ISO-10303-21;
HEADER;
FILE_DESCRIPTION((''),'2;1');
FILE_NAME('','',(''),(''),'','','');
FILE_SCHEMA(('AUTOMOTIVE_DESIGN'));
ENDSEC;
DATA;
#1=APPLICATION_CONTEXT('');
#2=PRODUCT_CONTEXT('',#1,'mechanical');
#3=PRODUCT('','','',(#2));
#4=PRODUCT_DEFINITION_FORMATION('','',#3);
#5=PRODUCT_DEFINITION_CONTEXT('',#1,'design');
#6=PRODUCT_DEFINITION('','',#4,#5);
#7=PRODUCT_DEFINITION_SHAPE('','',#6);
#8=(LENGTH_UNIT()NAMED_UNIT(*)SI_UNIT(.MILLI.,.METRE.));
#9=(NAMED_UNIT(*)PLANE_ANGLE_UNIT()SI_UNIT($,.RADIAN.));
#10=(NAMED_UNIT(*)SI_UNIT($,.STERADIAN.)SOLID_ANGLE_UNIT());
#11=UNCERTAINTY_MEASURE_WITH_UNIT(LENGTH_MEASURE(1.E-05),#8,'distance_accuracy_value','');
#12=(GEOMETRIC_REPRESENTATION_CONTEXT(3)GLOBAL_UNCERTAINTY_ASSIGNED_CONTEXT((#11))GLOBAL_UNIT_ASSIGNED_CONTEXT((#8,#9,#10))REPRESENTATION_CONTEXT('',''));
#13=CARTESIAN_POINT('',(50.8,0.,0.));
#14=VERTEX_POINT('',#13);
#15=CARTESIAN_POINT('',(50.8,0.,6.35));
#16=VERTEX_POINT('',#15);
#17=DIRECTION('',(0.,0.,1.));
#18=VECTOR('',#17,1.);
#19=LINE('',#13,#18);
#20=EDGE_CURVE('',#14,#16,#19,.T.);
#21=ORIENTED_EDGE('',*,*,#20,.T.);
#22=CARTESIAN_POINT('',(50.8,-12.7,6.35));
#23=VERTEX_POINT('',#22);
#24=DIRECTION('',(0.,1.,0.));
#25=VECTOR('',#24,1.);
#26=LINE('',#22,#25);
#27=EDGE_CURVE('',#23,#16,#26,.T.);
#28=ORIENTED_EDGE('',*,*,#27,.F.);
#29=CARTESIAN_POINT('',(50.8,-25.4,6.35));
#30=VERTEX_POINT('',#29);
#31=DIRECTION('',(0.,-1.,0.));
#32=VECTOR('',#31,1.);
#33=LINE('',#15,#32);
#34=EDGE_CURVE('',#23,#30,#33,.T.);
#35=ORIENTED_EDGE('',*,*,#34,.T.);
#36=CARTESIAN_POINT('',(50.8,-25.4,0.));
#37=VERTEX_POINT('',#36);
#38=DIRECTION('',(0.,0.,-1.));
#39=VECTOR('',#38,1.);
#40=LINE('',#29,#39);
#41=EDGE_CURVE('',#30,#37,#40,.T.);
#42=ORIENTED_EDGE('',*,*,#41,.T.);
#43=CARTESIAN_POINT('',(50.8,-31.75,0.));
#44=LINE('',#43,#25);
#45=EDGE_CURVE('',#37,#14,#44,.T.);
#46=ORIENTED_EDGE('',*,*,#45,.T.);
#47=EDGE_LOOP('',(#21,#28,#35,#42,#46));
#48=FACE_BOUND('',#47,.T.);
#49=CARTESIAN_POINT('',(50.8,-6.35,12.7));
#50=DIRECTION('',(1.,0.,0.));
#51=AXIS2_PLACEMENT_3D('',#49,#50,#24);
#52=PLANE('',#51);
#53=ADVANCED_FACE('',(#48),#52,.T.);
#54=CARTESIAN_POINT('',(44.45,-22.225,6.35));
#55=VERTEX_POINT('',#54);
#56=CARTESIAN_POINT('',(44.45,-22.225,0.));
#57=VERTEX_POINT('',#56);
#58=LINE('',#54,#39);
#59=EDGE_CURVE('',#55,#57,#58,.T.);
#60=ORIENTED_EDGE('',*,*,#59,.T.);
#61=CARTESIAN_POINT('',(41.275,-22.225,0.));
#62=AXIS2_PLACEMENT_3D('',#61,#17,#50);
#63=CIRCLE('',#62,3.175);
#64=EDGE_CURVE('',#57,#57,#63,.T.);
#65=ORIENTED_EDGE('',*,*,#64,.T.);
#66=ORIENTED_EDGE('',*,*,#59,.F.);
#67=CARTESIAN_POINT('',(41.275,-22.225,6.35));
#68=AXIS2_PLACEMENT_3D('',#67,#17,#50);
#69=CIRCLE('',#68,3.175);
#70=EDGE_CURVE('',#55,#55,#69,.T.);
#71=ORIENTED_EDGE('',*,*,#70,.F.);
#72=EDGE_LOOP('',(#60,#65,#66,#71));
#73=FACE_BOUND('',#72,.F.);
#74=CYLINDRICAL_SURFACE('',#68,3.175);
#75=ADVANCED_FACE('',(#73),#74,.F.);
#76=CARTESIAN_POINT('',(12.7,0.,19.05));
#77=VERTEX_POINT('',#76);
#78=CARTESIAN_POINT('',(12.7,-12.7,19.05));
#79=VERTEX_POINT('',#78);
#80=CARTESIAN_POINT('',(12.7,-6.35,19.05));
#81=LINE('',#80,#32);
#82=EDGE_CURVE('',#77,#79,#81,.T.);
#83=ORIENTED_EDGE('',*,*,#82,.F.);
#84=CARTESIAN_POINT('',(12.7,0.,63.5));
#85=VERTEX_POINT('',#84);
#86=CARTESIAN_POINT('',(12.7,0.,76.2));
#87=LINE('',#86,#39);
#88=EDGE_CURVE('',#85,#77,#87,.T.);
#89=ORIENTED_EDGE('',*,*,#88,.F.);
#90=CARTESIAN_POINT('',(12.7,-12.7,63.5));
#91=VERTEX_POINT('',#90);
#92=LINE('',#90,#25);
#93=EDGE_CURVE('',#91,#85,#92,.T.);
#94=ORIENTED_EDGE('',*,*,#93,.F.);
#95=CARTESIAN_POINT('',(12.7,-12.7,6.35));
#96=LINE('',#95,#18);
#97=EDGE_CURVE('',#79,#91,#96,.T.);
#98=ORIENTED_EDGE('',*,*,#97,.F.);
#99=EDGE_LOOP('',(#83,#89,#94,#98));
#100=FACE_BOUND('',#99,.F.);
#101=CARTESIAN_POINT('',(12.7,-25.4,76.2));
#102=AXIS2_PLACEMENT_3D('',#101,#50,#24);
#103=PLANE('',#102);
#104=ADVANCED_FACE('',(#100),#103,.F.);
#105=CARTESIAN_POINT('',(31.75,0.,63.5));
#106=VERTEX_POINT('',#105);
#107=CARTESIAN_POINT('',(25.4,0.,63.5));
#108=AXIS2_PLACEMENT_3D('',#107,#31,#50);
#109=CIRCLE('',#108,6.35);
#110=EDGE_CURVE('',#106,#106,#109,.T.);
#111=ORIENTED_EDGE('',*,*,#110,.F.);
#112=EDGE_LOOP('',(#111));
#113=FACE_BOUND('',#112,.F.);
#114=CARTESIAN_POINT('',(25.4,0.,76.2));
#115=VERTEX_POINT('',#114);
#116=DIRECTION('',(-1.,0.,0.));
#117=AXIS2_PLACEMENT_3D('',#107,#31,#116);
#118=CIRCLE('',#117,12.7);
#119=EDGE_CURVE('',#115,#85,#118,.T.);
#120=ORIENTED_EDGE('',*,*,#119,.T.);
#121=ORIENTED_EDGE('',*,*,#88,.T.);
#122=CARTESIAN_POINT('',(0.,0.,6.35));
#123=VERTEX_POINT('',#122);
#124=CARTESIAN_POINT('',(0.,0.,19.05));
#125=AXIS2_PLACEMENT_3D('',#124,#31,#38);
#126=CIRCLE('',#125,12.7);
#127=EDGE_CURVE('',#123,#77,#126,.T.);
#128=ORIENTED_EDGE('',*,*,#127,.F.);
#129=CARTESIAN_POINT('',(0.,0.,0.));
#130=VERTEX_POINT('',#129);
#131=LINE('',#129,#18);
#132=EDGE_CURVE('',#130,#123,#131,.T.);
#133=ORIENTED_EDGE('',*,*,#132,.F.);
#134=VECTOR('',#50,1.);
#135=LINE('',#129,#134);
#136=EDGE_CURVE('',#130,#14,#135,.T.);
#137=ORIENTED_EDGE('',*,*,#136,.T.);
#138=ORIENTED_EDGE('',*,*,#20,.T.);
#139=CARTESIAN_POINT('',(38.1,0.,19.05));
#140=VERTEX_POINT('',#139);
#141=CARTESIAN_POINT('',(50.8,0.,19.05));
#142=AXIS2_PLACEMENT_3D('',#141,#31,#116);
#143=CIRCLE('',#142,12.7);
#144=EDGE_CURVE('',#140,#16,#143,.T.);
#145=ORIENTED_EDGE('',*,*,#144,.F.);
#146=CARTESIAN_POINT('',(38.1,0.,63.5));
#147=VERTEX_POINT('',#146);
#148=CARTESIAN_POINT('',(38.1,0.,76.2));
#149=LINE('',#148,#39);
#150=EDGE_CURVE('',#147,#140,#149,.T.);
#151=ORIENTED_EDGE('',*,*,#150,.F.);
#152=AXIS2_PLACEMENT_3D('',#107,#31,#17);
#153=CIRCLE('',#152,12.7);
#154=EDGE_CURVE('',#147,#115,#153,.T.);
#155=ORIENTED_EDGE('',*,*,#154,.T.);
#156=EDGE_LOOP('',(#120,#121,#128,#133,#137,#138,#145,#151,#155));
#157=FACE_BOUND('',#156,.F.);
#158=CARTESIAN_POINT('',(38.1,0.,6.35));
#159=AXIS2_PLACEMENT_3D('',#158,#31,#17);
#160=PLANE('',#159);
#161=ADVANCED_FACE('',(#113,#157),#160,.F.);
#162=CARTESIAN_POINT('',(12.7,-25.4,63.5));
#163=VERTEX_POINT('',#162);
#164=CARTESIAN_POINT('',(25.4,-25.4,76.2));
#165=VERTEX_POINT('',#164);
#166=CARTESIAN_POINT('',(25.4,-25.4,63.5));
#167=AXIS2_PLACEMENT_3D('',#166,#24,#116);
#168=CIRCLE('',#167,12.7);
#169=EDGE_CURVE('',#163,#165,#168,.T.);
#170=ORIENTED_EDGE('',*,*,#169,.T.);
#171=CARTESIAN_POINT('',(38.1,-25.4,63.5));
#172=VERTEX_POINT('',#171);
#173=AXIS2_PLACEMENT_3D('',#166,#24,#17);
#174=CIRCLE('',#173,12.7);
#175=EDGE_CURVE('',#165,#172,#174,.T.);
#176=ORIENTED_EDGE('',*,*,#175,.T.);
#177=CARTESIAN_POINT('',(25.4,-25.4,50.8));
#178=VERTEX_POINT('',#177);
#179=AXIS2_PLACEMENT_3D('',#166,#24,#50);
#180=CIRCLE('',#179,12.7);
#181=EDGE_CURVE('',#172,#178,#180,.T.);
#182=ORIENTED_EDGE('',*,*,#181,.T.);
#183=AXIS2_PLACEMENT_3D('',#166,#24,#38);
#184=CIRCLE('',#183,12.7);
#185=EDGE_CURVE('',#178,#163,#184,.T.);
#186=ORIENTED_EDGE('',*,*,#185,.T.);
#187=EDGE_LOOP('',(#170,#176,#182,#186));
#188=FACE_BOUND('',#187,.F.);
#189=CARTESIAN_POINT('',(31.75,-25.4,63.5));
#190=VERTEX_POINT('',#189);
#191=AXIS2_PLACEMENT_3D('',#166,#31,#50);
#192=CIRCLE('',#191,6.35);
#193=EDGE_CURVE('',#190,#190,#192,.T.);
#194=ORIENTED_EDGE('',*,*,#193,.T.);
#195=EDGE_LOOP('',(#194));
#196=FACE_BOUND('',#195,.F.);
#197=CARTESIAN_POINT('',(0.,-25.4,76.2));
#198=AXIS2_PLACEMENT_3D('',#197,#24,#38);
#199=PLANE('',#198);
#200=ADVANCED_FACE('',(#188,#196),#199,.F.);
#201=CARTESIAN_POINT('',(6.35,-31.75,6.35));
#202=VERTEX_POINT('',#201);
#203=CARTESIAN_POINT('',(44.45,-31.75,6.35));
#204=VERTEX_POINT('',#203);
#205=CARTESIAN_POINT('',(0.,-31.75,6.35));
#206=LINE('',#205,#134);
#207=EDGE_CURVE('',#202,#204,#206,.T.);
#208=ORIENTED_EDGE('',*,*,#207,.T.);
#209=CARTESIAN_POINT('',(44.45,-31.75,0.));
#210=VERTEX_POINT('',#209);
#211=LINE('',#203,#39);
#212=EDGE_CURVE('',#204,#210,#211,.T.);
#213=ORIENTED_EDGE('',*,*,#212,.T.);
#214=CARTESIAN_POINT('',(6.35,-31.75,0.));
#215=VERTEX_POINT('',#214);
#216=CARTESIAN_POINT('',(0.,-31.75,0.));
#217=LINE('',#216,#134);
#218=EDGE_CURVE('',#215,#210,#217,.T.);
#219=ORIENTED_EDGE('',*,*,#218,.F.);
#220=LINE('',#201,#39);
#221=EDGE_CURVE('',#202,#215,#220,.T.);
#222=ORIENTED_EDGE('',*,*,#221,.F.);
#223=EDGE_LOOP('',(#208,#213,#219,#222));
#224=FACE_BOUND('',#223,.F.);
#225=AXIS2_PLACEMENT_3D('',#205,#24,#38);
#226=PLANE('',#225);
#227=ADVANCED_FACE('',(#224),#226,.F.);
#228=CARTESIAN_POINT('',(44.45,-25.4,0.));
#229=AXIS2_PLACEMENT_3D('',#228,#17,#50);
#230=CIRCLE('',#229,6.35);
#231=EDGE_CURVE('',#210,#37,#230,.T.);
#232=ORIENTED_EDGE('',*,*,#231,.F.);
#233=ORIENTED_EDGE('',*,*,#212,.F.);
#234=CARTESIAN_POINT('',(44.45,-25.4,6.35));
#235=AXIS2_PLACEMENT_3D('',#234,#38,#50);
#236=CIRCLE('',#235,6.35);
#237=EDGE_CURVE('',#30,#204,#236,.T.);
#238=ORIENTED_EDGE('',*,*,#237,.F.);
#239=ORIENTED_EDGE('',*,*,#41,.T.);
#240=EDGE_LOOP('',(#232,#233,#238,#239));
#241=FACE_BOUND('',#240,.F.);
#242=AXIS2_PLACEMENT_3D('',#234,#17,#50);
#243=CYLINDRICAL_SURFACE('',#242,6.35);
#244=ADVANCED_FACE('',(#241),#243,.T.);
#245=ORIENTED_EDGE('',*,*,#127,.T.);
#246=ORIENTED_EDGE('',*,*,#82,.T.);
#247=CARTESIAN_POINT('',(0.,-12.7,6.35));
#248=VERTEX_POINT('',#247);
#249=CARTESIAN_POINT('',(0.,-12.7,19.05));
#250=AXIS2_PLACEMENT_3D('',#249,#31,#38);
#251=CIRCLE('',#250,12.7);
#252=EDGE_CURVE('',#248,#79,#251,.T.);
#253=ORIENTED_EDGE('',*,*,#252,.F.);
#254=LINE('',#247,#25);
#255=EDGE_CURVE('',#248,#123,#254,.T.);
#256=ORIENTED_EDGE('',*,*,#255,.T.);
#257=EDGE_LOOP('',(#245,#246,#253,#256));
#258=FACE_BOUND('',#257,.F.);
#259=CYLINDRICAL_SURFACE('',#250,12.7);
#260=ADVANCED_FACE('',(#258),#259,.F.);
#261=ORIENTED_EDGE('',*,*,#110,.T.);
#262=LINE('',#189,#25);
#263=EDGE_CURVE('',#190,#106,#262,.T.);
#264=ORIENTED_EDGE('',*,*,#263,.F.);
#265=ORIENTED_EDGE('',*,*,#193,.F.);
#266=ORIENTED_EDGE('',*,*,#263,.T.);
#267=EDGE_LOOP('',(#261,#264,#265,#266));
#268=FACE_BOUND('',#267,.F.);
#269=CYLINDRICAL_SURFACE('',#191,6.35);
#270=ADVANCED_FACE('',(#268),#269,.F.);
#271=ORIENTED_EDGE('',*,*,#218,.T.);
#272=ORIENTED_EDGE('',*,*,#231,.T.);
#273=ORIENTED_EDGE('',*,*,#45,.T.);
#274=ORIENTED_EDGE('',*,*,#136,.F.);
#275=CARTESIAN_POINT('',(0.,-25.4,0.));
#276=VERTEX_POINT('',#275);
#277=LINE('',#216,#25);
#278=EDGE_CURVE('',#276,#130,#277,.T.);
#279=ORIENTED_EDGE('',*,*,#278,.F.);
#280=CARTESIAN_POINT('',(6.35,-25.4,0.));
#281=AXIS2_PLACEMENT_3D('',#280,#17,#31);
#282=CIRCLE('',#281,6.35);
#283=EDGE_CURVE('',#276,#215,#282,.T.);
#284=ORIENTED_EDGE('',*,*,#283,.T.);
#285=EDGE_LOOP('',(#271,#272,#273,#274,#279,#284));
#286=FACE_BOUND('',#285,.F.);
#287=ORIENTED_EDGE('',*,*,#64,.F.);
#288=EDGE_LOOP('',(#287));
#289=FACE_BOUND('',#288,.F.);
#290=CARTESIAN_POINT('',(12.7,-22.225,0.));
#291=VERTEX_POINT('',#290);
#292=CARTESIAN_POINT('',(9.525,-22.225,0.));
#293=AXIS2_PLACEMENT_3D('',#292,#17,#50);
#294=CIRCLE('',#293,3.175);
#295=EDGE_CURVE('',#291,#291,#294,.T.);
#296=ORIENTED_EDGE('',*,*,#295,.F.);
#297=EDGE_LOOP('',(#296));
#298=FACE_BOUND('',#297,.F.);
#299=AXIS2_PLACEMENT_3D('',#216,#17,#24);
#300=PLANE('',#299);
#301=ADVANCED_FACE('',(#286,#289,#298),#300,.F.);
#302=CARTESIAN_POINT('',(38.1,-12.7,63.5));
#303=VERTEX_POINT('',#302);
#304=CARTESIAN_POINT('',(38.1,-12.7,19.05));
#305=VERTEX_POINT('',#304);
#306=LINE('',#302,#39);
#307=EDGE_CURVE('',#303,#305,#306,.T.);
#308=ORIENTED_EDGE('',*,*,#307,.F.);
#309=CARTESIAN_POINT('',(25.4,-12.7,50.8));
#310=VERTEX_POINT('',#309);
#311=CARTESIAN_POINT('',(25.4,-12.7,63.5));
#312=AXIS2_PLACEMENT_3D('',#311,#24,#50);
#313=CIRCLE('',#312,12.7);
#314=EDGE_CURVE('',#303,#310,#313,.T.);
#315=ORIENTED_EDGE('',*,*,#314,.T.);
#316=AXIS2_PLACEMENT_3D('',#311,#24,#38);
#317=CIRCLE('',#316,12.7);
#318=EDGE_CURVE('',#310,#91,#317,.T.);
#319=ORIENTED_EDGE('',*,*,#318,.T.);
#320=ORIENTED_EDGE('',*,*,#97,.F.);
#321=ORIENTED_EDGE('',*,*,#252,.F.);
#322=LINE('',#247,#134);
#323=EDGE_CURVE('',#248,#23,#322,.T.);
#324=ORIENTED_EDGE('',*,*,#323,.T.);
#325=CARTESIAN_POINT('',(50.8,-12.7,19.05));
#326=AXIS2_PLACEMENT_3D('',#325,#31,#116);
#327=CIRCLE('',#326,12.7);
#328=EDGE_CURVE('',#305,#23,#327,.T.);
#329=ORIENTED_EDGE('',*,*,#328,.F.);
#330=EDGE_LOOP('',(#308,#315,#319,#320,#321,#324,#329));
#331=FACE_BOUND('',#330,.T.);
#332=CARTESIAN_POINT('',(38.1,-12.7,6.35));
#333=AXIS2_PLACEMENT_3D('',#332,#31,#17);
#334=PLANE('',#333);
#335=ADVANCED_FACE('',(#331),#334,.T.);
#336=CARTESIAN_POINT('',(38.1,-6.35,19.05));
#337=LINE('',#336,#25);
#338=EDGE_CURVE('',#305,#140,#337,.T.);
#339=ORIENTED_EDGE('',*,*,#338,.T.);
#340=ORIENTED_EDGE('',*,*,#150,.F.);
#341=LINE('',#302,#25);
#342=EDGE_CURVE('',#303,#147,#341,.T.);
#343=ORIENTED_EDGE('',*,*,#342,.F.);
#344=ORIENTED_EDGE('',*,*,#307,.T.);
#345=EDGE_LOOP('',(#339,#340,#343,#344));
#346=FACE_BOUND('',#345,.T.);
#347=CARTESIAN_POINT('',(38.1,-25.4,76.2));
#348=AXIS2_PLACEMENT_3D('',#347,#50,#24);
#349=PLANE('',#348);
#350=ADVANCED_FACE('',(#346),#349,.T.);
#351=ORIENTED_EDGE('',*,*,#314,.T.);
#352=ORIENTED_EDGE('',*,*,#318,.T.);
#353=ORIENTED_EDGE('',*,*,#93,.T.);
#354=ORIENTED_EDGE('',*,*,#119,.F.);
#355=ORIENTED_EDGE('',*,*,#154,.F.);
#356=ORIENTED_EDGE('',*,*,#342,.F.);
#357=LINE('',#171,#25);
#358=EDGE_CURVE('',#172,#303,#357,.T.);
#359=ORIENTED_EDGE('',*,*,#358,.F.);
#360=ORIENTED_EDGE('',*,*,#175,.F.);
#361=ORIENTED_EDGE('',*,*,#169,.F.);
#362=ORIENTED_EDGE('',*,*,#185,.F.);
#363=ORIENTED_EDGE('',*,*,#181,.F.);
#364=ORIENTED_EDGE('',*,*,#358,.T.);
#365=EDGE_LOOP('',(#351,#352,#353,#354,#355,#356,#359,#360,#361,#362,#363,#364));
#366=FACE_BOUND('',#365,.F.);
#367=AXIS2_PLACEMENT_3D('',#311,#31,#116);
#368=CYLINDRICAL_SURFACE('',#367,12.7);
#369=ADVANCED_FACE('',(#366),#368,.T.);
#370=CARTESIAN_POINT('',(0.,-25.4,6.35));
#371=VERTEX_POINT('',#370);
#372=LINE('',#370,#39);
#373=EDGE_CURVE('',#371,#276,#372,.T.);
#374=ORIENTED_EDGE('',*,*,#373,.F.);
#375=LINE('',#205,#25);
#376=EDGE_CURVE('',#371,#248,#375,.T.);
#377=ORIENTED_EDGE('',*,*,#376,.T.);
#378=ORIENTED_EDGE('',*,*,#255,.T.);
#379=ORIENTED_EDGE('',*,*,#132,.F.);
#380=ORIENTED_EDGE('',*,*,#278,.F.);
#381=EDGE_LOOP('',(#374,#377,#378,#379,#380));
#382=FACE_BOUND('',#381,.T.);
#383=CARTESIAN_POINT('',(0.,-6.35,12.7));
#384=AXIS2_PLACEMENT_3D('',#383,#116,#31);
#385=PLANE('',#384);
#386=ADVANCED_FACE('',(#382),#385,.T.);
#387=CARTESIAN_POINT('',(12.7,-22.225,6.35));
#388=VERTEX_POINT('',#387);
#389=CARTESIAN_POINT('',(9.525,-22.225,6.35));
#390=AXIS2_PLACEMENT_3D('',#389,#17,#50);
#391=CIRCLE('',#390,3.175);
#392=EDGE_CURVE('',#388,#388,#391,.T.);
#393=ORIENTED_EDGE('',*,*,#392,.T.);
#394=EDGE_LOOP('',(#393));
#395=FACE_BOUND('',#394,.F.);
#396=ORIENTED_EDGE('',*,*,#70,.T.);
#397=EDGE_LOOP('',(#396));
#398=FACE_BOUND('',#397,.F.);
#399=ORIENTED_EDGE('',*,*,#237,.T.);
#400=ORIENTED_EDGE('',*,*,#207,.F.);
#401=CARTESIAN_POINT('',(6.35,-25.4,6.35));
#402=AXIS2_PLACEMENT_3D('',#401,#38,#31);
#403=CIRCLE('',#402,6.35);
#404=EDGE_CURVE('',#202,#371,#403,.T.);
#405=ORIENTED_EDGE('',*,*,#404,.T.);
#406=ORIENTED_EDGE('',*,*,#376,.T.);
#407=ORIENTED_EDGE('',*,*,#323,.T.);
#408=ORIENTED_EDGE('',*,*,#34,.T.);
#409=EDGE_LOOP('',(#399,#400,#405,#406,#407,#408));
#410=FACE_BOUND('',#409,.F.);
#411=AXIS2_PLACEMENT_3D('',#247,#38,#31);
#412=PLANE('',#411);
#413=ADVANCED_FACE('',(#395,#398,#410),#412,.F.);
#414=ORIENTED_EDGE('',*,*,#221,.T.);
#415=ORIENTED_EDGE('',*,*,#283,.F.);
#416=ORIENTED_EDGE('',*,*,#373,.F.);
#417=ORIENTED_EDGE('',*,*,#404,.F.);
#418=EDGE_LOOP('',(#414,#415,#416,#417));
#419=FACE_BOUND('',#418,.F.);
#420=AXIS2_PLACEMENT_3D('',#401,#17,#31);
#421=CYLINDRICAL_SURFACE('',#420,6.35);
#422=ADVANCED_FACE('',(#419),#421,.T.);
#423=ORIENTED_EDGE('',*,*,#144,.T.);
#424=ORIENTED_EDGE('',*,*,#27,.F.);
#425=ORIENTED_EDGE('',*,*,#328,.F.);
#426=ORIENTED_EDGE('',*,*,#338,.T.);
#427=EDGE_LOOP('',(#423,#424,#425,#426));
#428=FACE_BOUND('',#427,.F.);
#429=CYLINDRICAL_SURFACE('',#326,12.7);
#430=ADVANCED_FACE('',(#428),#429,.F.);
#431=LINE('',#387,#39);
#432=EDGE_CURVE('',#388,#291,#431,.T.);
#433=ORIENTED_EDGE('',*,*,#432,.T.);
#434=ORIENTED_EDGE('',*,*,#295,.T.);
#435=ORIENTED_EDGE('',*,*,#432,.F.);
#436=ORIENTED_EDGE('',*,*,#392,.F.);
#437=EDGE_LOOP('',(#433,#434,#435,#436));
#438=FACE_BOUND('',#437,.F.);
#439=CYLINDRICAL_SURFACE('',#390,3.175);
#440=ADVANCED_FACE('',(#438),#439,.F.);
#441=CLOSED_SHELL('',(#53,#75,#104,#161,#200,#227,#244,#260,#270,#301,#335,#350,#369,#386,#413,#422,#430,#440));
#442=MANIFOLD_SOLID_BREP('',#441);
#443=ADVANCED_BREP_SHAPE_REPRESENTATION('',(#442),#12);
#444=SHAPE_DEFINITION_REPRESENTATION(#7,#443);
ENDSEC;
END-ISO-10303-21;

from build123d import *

# Parameters (mm, degrees)
F1_DEPTH  = 50.8
F2_W      = 12.7
F2_H      = 25.4
F3_DEPTH  = 69.85
F5_DEPTH  = 12.7
F6_DEPTH  = 25.4
F7_R      = 6.35
F8_DEPTH  = 25.4
F9_W      = 12.7
F9_H      = 12.7
F10_DEPTH = 12.7
F11_W     = 12.7
F11_H     = 12.7
F12_DEPTH = 12.7
F14_DEPTH = 25.4
F15_R     = 3.175
F16_DEPTH = 25.4
F18_DEPTH = 25.4


with BuildPart() as f1:
    # F0 (on Right) → F1 (new body)
    with BuildSketch(Plane.YZ):
        Polygon((-31.75, 0), (0, 0), (0, 76.2), (-25.4, 76.2), (-25.4, 50.8), (-12.7, 50.8), (-12.7, 6.35), (-31.75, 6.35), align=None)
    extrude(amount=F1_DEPTH)

    # F2 (on face) → F3 (cut)
    with BuildSketch(Plane.XY.offset(76.2)):
        with Locations((6.35, -12.7)):
            Rectangle(F2_W, F2_H)
        with Locations((44.45, -12.7)):
            Rectangle(F2_W, F2_H)
    extrude(amount=-F3_DEPTH, mode=Mode.SUBTRACT)

    # F4 (on face) → F5 (cut)
    with BuildSketch(Plane.XZ.offset(25.4)):
        with BuildLine():
            ThreePointArc((12.7, 63.5), (16.4197438789, 72.4802561211), (25.4, 76.2))
            Line((25.4, 76.2), (12.7, 76.2))
            Line((12.7, 76.2), (12.7, 63.5))
        make_face()
        with BuildLine():
            ThreePointArc((25.4, 76.2), (34.3802561211, 72.4802561211), (38.1, 63.5))
            Line((38.1, 63.5), (38.1, 76.2))
            Line((38.1, 76.2), (25.4, 76.2))
        make_face()
        with BuildLine():
            Line((12.7, 50.8), (25.4, 50.8))
            ThreePointArc((25.4, 50.8), (16.4197438789, 54.5197438789), (12.7, 63.5))
            Line((12.7, 63.5), (12.7, 50.8))
        make_face()
        with BuildLine():
            Line((38.1, 50.8), (38.1, 63.5))
            ThreePointArc((38.1, 63.5), (34.3802561211, 54.5197438789), (25.4, 50.8))
            Line((25.4, 50.8), (38.1, 50.8))
        make_face()
    extrude(amount=-F5_DEPTH, mode=Mode.SUBTRACT)

    # F6 (cut): faces of the model
    f6_faces = [f1.faces().sort_by_distance(p)[0] for p in [
        (15.5367728246, -12.7, 73.3632271754),
        (35.2632271754, -12.7, 73.3632271754),
    ]]
    extrude(f6_faces, amount=-F6_DEPTH, mode=Mode.SUBTRACT)

    # F7 (on face) → F8 (cut)
    with BuildSketch(Plane.XZ.offset(25.4)):
        with Locations((25.4, 63.5)):
            Circle(F7_R)
    extrude(amount=-F8_DEPTH, mode=Mode.SUBTRACT)

    # F9 (on face) → F10 (join)
    with BuildSketch(Plane(origin=(12.7, 0, 0), x_dir=(0, -1, 0), z_dir=(-1, 0, 0))):
        with Locations((6.35, 12.7)):
            Rectangle(F9_W, F9_H)
    extrude(amount=F10_DEPTH)

    # F11 (on face) → F12 (join)
    with BuildSketch(Plane.YZ.offset(38.1)):
        with Locations((-6.35, 12.7)):
            Rectangle(F11_W, F11_H)
    extrude(amount=F12_DEPTH)

    # F13 (on face) → F14 (cut)
    with BuildSketch(Plane.XZ.offset(12.7)):
        with BuildLine():
            ThreePointArc((0, 6.35), (8.9802561211, 10.0697438789), (12.7, 19.05))
            Line((12.7, 19.05), (0, 19.05))
            Line((0, 19.05), (0, 6.35))
        make_face()
        with BuildLine():
            ThreePointArc((38.1, 19.05), (41.8197438789, 10.0697438789), (50.8, 6.35))
            Line((50.8, 6.35), (50.8, 19.05))
            Line((50.8, 19.05), (38.1, 19.05))
        make_face()
    extrude(amount=-F14_DEPTH, mode=Mode.SUBTRACT)

    # F15 (on face) → F16 (cut)
    with BuildSketch(Plane.XY.offset(6.35)):
        with Locations((9.525, -22.225)):
            Circle(F15_R)
        with Locations((41.275, -22.225)):
            Circle(F15_R)
    extrude(amount=-F16_DEPTH, mode=Mode.SUBTRACT)

    # F17 (on face) → F18 (cut)
    with BuildSketch(Plane.XY.offset(6.35)):
        with BuildLine():
            Line((0, -31.75), (6.35, -31.75))
            ThreePointArc((6.35, -31.75), (1.8598719395, -29.8901280605), (0, -25.4))
            Line((0, -25.4), (0, -31.75))
        make_face()
        with BuildLine():
            ThreePointArc((50.8, -25.4), (48.9401280605, -29.8901280605), (44.45, -31.75))
            Line((44.45, -31.75), (50.8, -31.75))
            Line((50.8, -31.75), (50.8, -25.4))
        make_face()
    extrude(amount=-F18_DEPTH, mode=Mode.SUBTRACT)


solid = f1.part
